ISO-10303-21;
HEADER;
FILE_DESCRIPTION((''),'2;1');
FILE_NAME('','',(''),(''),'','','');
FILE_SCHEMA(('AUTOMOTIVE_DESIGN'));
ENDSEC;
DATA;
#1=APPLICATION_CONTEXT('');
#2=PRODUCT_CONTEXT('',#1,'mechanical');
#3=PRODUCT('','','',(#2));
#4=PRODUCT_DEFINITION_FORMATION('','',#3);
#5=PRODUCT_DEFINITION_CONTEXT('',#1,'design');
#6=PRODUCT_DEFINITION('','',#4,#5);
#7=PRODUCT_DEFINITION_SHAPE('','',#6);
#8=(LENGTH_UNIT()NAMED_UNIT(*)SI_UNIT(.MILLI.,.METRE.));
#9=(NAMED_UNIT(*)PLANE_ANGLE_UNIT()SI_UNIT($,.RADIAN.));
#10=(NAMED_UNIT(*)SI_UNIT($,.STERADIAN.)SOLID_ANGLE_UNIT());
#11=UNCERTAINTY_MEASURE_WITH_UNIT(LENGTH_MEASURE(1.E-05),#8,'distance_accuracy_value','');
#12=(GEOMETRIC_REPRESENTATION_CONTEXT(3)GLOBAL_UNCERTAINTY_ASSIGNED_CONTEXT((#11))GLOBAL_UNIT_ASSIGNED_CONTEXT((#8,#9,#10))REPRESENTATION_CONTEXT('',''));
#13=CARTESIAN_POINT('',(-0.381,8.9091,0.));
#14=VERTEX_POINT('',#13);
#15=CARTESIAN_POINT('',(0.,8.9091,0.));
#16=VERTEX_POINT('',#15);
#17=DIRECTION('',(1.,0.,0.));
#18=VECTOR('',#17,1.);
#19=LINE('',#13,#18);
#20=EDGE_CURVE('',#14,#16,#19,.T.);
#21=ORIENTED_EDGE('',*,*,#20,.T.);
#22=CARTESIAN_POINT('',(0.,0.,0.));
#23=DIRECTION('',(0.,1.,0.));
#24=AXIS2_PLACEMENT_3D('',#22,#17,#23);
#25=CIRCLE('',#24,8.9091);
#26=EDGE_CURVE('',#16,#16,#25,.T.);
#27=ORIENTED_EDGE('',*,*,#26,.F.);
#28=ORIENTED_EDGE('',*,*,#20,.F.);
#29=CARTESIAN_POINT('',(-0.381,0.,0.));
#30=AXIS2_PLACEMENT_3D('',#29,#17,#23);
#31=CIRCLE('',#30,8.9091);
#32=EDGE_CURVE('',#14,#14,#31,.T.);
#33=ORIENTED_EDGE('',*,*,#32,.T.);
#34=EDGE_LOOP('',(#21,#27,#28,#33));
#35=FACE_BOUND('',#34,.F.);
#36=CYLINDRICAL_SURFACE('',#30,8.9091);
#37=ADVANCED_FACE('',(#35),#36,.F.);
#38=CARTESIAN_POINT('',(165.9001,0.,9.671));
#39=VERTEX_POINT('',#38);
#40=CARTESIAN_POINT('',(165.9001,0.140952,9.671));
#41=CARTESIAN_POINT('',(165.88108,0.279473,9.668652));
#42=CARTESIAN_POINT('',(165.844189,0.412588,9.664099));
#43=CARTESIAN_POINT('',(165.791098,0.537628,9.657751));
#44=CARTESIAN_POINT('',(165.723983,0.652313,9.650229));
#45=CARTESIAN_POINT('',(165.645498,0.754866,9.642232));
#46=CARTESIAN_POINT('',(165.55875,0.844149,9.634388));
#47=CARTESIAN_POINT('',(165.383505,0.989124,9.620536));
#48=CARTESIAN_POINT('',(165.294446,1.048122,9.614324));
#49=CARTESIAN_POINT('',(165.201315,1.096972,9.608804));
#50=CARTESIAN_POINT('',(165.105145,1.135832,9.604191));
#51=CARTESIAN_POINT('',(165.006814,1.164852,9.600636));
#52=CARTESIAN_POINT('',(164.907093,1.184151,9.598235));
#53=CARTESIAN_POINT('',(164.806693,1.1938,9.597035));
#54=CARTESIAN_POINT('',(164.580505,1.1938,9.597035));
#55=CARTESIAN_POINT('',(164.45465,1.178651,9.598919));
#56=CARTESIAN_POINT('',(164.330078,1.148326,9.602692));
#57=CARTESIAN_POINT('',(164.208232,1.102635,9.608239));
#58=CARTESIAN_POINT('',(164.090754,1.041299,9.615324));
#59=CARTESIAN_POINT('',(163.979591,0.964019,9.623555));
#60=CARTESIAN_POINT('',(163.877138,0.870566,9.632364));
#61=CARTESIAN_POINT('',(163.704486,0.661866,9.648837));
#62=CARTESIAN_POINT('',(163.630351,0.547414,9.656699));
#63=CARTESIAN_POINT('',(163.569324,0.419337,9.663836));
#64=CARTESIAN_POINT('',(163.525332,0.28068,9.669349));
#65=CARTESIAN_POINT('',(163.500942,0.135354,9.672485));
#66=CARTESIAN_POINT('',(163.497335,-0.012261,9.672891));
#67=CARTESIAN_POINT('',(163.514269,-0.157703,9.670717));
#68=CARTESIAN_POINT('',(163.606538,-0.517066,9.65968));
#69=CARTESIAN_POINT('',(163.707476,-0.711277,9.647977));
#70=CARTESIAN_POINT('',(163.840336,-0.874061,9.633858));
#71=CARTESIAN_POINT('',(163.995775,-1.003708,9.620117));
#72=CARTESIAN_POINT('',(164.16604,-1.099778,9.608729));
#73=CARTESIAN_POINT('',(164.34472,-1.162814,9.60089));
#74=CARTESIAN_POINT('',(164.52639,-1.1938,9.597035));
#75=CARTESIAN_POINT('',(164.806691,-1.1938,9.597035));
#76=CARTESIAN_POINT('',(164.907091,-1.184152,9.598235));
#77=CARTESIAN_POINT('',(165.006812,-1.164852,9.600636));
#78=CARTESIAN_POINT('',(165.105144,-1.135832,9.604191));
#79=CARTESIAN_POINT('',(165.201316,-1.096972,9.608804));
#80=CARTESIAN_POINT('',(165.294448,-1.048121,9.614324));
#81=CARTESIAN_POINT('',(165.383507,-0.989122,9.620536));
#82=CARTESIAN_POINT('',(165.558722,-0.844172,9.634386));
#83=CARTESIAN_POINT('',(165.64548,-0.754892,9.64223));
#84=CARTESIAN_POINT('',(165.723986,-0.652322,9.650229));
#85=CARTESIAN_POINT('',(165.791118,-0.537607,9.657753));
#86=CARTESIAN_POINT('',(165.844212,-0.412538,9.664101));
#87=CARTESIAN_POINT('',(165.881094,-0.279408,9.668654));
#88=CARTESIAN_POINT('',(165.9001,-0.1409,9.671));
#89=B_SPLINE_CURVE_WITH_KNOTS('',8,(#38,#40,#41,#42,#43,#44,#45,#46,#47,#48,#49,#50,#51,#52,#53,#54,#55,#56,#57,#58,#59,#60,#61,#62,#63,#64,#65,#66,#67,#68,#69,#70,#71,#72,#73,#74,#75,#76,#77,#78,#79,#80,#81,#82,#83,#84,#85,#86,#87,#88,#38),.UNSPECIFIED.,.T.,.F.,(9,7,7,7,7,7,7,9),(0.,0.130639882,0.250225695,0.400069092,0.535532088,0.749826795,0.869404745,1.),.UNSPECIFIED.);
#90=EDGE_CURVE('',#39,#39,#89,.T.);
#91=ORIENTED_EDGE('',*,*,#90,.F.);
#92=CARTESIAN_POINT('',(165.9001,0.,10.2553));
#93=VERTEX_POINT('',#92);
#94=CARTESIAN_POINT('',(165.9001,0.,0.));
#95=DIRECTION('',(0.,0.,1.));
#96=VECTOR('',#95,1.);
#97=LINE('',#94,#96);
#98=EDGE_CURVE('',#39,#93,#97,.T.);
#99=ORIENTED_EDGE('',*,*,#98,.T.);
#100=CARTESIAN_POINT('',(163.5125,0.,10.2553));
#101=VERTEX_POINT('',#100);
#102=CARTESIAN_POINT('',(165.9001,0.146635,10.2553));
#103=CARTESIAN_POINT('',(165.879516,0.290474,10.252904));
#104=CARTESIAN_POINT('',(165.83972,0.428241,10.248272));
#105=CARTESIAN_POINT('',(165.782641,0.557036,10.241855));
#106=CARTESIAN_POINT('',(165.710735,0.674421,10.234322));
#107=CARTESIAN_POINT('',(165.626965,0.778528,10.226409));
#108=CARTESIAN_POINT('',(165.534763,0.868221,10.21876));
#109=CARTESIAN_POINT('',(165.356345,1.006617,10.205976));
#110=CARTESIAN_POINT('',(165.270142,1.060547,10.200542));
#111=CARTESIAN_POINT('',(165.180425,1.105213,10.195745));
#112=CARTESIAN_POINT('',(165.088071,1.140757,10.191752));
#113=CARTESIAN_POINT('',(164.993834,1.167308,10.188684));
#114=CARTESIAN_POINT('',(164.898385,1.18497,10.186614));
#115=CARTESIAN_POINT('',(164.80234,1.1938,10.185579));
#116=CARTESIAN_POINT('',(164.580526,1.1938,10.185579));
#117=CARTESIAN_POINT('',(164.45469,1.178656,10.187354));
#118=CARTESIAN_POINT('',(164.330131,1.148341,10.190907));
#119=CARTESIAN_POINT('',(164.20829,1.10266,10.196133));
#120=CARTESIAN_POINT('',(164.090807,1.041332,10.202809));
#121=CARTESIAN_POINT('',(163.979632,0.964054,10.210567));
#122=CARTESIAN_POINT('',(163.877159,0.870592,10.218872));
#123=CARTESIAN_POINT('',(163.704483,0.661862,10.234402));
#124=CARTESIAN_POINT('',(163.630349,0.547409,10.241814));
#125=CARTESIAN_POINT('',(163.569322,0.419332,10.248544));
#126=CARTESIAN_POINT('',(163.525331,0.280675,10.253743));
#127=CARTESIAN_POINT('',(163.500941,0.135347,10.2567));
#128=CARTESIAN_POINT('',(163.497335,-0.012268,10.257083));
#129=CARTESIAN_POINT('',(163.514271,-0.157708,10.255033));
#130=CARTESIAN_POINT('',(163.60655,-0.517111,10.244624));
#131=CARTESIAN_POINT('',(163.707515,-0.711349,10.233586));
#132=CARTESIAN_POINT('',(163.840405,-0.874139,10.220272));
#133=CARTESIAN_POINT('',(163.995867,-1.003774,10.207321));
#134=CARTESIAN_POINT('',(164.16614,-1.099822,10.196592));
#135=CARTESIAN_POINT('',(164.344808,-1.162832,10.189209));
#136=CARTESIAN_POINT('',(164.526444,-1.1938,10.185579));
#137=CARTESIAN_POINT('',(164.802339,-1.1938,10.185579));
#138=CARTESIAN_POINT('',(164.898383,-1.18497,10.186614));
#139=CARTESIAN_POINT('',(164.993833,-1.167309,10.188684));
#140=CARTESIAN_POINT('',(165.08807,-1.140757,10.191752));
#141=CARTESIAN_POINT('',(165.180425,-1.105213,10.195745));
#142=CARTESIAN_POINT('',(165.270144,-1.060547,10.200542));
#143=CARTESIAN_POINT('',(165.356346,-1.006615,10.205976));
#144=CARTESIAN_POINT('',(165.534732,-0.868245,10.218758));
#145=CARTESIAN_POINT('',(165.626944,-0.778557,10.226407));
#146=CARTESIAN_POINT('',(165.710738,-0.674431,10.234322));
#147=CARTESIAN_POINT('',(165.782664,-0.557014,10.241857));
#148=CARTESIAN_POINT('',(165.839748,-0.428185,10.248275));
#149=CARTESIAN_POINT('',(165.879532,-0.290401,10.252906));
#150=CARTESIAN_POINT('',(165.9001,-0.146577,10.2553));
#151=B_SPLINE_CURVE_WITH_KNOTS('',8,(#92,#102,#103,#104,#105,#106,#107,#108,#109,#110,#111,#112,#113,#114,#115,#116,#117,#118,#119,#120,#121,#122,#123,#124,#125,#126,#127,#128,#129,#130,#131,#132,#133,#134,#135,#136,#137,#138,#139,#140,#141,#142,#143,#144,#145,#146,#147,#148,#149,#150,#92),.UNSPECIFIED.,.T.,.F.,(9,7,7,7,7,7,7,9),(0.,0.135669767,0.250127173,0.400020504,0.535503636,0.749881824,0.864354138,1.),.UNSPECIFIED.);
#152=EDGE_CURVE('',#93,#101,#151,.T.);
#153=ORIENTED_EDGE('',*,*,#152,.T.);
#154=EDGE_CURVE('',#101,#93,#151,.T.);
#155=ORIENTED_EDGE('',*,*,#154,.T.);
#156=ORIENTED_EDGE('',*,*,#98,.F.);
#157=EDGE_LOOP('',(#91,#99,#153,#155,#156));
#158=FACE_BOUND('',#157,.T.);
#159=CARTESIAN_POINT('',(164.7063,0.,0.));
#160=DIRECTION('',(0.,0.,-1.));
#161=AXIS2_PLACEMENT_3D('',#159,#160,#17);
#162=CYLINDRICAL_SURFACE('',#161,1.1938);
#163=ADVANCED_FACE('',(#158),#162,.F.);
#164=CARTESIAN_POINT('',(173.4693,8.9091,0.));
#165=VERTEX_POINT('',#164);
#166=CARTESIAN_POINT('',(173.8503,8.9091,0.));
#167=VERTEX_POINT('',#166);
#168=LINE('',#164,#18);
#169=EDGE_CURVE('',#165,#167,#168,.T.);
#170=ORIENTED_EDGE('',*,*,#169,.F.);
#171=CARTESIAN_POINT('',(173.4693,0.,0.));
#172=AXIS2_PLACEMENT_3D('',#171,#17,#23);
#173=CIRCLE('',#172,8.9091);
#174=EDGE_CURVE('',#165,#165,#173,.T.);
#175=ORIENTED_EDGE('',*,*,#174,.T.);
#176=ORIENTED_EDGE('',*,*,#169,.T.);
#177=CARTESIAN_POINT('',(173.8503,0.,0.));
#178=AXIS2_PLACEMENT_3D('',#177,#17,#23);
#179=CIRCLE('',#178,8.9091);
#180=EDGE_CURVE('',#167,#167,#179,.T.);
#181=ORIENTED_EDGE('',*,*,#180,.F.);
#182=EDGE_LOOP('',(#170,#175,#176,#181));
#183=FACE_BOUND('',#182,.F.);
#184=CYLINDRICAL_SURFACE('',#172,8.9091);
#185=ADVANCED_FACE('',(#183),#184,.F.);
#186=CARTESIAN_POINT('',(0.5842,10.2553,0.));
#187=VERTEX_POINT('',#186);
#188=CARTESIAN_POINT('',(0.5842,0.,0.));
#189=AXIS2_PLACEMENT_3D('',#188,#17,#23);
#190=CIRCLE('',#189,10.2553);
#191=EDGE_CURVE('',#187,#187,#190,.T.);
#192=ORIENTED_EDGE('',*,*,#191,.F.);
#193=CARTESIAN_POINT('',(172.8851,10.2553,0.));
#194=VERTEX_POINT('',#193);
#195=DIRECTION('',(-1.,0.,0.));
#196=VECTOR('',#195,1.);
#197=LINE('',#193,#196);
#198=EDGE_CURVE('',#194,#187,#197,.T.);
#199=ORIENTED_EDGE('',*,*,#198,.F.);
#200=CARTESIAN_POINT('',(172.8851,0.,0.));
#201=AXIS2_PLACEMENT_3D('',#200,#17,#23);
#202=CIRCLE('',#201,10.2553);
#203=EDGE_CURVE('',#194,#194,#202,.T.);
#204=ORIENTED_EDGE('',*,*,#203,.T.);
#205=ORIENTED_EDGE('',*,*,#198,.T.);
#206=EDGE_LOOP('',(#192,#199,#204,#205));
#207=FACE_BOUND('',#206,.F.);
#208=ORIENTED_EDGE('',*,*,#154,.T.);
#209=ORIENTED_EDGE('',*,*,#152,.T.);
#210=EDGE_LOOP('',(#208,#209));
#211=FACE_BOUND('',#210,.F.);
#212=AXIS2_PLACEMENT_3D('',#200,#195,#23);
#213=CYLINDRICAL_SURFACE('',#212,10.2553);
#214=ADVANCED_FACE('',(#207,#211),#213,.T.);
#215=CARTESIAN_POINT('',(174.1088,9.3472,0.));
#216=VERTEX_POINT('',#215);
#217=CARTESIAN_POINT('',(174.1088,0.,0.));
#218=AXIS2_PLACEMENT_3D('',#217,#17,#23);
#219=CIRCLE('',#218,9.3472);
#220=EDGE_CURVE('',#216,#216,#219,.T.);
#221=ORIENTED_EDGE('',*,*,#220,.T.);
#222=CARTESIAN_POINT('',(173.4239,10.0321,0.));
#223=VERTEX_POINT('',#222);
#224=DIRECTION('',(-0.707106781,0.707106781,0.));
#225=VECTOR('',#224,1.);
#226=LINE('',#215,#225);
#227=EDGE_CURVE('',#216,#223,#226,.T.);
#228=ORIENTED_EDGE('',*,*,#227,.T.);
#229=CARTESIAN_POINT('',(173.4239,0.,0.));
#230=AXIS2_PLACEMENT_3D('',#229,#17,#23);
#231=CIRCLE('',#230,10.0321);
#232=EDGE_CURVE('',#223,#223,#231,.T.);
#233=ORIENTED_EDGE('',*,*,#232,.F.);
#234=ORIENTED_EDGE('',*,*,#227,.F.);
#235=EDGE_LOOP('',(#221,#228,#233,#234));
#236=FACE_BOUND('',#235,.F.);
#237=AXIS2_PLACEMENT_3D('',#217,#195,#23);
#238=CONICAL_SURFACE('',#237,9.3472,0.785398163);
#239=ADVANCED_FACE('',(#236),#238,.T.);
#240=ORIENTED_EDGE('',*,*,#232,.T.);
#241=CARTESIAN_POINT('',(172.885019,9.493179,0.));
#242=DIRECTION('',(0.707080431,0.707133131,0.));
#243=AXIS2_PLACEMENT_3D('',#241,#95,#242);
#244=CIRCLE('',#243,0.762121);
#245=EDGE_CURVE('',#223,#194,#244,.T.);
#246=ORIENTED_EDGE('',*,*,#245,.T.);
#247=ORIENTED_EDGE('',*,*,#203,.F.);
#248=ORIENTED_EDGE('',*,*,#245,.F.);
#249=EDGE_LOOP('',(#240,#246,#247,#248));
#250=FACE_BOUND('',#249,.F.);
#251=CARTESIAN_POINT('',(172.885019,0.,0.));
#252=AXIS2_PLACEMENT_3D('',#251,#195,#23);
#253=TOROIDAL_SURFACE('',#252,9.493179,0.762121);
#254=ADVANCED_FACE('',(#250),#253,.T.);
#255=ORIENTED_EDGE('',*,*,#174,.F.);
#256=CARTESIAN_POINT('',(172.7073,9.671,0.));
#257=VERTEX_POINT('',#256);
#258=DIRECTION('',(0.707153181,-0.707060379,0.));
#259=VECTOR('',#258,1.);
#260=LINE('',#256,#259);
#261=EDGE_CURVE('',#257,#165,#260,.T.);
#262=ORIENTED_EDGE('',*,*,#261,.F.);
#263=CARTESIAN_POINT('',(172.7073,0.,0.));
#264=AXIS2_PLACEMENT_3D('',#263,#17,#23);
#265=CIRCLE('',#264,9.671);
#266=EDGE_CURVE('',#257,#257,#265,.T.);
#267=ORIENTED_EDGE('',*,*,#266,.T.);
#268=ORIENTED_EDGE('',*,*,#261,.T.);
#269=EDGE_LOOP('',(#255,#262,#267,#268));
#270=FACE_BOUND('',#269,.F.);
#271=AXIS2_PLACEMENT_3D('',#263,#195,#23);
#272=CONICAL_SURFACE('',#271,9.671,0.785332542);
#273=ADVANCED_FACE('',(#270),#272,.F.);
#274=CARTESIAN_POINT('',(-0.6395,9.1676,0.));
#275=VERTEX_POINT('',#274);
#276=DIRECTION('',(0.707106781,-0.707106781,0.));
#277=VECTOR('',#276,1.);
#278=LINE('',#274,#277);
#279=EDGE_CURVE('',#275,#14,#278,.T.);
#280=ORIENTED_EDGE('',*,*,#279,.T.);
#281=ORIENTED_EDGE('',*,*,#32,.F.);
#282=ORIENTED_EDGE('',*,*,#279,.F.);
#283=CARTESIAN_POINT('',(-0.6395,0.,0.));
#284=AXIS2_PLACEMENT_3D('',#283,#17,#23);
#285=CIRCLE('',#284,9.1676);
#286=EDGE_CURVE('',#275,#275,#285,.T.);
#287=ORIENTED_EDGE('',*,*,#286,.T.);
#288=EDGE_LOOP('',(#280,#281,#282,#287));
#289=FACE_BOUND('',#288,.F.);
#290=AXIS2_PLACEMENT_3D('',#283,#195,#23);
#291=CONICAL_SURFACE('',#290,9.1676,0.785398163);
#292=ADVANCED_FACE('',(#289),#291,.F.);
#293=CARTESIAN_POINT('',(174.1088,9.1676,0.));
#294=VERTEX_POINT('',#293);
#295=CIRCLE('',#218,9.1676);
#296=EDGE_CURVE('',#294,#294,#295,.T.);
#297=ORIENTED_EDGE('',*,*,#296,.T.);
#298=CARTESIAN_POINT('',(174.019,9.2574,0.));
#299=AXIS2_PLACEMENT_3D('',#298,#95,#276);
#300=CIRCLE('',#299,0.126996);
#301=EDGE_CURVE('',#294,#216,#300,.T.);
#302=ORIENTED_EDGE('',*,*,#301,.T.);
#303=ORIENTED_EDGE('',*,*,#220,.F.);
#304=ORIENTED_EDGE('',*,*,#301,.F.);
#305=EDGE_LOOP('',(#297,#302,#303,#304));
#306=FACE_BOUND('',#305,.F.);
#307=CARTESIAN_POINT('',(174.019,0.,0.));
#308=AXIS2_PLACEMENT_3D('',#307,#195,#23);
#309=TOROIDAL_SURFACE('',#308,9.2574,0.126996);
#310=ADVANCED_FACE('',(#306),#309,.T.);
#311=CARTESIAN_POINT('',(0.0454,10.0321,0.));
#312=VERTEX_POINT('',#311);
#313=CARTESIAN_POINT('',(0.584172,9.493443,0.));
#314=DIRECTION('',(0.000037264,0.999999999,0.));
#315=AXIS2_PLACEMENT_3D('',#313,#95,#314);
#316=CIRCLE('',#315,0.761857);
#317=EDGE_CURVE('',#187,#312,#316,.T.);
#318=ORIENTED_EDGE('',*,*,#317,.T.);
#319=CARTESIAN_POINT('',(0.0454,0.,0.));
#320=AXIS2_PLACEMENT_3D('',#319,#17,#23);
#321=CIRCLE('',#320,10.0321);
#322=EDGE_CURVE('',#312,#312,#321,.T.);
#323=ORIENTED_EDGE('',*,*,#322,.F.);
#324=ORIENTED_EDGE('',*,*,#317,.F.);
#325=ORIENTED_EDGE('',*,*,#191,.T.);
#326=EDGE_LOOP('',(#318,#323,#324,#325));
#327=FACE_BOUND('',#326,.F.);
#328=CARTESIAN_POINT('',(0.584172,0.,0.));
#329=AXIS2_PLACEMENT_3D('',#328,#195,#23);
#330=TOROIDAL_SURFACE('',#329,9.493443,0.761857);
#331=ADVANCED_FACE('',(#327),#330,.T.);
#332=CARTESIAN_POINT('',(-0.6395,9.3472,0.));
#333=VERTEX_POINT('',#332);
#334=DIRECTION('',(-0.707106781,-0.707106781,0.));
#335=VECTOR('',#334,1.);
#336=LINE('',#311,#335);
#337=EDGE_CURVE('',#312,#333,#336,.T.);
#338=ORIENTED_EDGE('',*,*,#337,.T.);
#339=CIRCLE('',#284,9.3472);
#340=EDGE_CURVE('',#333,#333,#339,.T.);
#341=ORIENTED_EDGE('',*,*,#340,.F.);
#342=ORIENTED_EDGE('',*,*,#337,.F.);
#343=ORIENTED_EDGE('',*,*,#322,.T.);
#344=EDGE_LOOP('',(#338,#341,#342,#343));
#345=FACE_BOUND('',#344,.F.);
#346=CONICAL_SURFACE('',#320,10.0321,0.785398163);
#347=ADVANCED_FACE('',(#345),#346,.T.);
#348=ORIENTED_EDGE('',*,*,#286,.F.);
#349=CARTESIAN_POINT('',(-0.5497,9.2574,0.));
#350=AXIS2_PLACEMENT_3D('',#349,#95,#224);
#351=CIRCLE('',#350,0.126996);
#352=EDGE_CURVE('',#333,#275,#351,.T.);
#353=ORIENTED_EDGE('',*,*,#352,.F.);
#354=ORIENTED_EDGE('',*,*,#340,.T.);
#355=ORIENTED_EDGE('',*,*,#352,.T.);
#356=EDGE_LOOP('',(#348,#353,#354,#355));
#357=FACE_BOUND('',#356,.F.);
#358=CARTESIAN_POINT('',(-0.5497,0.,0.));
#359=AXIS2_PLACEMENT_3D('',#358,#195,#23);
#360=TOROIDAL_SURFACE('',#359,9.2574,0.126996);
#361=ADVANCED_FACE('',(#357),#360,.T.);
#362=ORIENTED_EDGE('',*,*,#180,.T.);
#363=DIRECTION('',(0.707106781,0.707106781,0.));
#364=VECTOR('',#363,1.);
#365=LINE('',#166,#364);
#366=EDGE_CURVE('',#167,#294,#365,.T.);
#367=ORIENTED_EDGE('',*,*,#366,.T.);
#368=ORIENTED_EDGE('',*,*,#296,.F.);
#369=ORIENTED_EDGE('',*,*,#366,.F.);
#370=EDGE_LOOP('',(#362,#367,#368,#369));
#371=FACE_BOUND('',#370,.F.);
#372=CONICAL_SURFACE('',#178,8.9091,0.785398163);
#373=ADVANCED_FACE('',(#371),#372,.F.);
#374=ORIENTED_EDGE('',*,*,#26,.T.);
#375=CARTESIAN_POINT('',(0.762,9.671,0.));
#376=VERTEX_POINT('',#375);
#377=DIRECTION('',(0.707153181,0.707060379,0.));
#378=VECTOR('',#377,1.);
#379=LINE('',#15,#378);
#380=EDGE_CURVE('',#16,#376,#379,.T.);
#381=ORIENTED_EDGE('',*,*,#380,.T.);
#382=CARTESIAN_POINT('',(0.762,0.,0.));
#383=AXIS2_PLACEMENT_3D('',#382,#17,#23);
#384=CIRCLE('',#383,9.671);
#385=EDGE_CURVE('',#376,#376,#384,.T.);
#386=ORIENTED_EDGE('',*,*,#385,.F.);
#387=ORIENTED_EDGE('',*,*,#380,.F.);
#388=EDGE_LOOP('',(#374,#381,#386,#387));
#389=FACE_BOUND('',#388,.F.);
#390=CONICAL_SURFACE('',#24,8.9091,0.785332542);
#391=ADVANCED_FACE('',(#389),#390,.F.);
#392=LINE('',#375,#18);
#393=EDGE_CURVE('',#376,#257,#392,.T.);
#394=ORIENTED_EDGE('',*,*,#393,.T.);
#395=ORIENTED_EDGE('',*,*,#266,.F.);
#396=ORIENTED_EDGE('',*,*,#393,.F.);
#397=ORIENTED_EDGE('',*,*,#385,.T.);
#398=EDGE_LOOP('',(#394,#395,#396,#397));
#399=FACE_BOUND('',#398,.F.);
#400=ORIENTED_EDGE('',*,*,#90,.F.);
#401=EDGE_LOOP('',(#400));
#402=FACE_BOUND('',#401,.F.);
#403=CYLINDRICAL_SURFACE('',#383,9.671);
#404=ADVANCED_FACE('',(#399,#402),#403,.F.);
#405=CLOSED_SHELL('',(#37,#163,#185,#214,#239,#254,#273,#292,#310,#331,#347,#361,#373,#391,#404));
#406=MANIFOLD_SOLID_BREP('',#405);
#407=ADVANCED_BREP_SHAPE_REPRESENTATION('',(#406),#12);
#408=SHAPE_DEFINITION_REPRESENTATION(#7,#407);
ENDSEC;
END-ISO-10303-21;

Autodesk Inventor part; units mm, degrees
sketch "Sketch_1" plane through (0, 0, 0) normal (0, 0, 1) x (1, 0, 0)
  line L0 (173.4693, 0) -> (0, 0)
  arc A0 (-0.6395, 9.3472) -> (-0.6395, 9.1676) centre (-0.5497, 9.2574) ccw
  line L1 (-0.6395, 9.1676) -> (-0.381, 8.9091)
  line L2 (-0.381, 8.9091) -> (0, 8.9091)
  line L3 (0, 8.9091) -> (0.762, 9.671)
  line L4 (0.762, 9.671) -> (172.7073, 9.671)
  line L5 (172.7073, 9.671) -> (173.4693, 8.9091)
  line L6 (173.4693, 8.9091) -> (173.8503, 8.9091)
  line L7 (173.8503, 8.9091) -> (174.1088, 9.1676)
  arc A1 (174.1088, 9.1676) -> (174.1088, 9.3472) centre (174.019, 9.2574) ccw
  line L8 (174.1088, 9.3472) -> (173.4239, 10.0321)
  arc A2 (173.4239, 10.0321) -> (172.8851, 10.2553) centre (172.8851, 9.4933) ccw
  line L9 (172.8851, 10.2553) -> (0.5842, 10.2553)
  arc A3 (0.5842, 10.2553) -> (0.0454, 10.0321) centre (0.5842, 9.4933) ccw
  line L10 (0.0454, 10.0321) -> (-0.6395, 9.3472)
revolve "Revolution1" add sketch "Sketch_1" angle 360 about axis through (173.4693, 0, 0) along (1, 0, 0)
sketch "Sketch_7" plane through (0, 0, 0) normal (0, 0, 1) x (1, 0, 0)
  circle A0 centre (164.7063, 0) radius 1.1938
extrude "Extrusion1" cut sketch "Sketch_7" along normal blind 10.2553
ref_plane "cp1_XY" through (86.7347, 10.2553, 0) normal (1, 0, 0) x (0, 0, -1)
ref_plane "cp1_YZ" through (86.7347, 10.2553, 0) normal (0, 0, -1) x (0, 1, 0)
ref_plane "cp1_ZX" through (86.7347, 10.2553, 0) normal (0, 1, 0) x (1, 0, 0)
ref_plane "cp2_XY" through (86.7347, 0, -10.2553) normal (1, 0, 0) x (0, 0, -1)
ref_plane "cp2_YZ" through (86.7347, 0, -10.2553) normal (0, 0, -1) x (0, 1, 0)
ref_plane "cp2_ZX" through (86.7347, 0, -10.2553) normal (0, 1, 0) x (1, 0, 0)
ref_plane "cp3_XY" through (86.7347, -10.2553, 0) normal (1, 0, 0) x (0, 0, -1)
ref_plane "cp3_YZ" through (86.7347, -10.2553, 0) normal (0, 0, -1) x (0, 1, 0)
ref_plane "cp3_ZX" through (86.7347, -10.2553, 0) normal (0, 1, 0) x (1, 0, 0)
ref_plane "cp4_XY" through (86.7347, 0, 10.2553) normal (1, 0, 0) x (0, 0, -1)
ref_plane "cp4_YZ" through (86.7347, 0, 10.2553) normal (0, 0, -1) x (0, 1, 0)
ref_plane "cp4_ZX" through (86.7347, 0, 10.2553) normal (0, 1, 0) x (1, 0, 0)
ref_plane "tube_front_XY" through (0, 0, 0) normal (1, 0, 0) x (0, 0, -1)
ref_plane "tube_front_YZ" through (0, 0, 0) normal (0, 0, -1) x (0, 1, 0)
ref_plane "tube_front_ZX" through (0, 0, 0) normal (0, 1, 0) x (1, 0, 0)
ref_plane "tube_rear_XY" through (173.4693, 0, 0) normal (1, 0, 0) x (0, 0, -1)
ref_plane "tube_rear_YZ" through (173.4693, 0, 0) normal (0, 0, -1) x (0, 1, 0)
ref_plane "tube_rear_ZX" through (173.4693, 0, 0) normal (0, 1, 0) x (1, 0, 0)
properties part number "04R-6.82953C"
